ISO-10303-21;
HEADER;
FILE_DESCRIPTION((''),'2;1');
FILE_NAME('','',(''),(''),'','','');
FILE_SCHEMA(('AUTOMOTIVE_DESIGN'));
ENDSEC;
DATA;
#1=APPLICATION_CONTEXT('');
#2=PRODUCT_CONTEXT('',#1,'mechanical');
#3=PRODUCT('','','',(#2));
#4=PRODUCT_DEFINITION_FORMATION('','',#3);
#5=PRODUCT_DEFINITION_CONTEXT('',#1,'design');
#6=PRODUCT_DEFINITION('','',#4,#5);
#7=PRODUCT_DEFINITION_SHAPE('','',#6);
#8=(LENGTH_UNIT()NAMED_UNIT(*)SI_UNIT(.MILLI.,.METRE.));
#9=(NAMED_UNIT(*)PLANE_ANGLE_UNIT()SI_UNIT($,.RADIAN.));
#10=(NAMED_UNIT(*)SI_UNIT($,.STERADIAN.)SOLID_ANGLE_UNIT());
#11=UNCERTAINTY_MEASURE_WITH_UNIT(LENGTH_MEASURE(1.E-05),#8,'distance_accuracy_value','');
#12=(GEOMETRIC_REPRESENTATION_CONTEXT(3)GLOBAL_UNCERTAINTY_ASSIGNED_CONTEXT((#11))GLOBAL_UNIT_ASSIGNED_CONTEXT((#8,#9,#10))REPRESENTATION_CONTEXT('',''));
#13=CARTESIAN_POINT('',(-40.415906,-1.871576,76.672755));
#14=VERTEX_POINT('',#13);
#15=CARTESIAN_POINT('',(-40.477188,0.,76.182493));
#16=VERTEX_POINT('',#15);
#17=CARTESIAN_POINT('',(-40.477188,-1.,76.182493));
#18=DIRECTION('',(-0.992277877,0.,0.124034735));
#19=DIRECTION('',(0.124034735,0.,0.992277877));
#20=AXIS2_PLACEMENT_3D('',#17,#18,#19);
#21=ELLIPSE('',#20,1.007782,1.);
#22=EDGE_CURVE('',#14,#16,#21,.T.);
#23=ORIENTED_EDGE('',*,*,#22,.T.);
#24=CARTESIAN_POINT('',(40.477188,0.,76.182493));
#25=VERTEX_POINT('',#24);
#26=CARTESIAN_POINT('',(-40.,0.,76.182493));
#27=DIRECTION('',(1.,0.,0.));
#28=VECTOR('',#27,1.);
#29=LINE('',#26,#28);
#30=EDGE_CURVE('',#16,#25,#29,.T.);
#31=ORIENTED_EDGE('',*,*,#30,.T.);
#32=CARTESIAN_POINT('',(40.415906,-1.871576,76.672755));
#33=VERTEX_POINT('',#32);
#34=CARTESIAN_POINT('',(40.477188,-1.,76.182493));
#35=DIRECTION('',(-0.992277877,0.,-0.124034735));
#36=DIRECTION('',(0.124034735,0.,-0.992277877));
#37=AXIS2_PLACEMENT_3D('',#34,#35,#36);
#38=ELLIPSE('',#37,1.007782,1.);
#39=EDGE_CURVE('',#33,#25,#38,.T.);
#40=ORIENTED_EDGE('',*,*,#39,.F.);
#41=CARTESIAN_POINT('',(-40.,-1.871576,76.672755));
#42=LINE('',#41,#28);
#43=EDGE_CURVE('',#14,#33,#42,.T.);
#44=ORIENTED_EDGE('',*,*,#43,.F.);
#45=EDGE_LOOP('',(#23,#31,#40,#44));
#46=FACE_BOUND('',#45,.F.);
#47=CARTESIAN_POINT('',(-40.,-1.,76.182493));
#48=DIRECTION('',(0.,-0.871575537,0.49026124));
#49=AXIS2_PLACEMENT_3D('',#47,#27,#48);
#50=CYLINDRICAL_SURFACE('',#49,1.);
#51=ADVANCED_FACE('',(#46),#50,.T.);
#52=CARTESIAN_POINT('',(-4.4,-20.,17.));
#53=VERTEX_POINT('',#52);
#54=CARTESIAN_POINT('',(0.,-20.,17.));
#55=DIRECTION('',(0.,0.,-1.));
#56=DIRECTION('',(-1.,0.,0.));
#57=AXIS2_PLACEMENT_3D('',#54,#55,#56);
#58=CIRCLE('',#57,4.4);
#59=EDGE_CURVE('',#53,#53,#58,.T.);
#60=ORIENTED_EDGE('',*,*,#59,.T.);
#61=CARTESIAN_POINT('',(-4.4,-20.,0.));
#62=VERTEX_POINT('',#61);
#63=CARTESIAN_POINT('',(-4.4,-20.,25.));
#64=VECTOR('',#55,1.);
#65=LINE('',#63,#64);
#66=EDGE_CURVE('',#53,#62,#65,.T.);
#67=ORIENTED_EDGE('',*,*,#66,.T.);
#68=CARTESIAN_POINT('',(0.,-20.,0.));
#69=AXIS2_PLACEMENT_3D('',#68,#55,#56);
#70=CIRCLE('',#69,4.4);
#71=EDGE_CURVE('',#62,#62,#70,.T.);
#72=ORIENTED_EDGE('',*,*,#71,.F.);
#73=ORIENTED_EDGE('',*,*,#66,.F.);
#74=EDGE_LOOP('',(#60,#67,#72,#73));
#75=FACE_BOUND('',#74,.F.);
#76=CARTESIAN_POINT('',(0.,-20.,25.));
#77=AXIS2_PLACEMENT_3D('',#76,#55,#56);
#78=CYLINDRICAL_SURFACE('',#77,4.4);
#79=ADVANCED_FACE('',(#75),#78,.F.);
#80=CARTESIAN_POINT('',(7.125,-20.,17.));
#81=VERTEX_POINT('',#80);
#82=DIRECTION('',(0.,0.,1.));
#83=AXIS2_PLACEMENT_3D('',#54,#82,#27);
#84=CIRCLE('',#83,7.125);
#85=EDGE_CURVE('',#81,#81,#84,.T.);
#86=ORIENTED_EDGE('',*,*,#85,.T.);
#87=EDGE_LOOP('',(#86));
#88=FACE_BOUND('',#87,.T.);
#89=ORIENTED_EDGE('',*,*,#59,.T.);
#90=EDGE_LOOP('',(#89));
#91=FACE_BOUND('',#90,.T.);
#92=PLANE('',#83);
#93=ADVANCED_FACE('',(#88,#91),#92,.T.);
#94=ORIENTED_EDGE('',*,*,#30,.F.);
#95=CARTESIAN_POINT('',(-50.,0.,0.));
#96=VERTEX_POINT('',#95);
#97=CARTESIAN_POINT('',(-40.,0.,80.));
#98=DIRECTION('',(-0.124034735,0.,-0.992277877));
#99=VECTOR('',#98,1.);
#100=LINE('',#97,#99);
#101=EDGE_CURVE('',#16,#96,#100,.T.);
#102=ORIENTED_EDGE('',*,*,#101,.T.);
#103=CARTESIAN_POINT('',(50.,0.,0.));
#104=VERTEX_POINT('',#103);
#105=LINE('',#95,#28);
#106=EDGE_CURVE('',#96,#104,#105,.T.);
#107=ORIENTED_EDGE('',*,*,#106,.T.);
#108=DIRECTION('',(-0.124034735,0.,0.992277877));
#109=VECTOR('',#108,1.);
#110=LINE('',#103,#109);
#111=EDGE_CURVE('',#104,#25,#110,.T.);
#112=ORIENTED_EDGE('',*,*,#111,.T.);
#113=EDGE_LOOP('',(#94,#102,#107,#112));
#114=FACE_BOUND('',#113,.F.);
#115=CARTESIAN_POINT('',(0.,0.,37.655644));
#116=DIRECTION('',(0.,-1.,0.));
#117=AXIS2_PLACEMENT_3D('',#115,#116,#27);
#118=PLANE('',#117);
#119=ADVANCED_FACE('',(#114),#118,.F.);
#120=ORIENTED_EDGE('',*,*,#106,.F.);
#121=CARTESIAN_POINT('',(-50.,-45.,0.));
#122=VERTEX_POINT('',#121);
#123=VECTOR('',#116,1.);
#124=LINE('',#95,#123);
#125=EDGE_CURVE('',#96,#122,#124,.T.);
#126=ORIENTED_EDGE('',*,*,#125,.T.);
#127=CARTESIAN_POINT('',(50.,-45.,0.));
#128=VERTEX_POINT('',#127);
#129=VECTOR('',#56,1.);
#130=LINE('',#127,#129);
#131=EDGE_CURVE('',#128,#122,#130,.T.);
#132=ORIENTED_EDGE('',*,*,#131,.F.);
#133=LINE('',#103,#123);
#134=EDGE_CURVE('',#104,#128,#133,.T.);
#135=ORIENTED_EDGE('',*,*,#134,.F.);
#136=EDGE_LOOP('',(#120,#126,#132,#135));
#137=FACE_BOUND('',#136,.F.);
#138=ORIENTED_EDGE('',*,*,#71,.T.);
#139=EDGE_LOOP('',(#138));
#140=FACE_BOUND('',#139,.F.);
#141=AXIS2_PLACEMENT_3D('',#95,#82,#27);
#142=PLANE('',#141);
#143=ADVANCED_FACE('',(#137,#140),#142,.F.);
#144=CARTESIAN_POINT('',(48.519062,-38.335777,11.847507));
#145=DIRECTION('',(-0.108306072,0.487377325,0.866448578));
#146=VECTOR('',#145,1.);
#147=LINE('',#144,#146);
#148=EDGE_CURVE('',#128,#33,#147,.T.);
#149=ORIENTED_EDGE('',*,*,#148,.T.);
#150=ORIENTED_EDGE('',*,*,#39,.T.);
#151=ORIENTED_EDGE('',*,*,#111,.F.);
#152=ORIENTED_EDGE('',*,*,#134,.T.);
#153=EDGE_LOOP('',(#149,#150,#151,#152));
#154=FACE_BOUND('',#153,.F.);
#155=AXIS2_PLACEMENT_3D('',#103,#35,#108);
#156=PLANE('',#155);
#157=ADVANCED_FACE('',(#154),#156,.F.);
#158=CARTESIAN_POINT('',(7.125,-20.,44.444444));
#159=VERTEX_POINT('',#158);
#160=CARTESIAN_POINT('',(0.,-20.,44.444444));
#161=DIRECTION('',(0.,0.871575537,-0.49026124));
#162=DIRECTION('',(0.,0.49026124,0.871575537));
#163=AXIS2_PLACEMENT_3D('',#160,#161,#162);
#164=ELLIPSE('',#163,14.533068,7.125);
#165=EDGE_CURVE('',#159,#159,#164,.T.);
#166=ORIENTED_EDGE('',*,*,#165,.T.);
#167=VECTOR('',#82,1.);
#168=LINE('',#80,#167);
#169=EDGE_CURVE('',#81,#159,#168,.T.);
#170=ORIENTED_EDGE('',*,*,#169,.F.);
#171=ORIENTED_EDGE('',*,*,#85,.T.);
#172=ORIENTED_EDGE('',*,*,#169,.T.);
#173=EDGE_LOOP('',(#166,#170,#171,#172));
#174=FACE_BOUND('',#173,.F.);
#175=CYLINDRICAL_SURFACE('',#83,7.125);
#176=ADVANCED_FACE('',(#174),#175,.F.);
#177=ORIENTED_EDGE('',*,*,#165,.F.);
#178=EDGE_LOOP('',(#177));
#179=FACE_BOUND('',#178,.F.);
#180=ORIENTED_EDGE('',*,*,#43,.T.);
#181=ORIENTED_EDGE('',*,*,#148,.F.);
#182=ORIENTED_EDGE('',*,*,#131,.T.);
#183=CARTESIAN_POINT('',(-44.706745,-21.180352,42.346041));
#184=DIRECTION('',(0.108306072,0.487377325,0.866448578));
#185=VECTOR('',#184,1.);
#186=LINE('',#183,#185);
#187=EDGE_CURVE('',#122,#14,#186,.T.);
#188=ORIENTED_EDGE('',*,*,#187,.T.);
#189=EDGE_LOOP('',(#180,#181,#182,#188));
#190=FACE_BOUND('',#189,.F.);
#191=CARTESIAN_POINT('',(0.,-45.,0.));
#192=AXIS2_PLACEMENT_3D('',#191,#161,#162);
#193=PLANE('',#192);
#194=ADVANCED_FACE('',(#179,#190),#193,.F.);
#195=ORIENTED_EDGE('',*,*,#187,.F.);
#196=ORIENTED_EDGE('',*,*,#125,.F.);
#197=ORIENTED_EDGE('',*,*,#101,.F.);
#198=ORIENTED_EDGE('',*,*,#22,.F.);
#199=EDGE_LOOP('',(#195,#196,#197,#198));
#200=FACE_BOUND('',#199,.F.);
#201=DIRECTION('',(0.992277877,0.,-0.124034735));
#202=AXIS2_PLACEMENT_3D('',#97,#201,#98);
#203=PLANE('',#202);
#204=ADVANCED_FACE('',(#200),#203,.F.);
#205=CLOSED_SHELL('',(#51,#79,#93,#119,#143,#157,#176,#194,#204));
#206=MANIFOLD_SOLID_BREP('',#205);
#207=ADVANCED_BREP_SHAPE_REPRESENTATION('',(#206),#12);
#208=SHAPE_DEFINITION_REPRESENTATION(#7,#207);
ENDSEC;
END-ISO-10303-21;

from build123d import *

# Parameters (mm, degrees)
F1_DEPTH       = 45
F3_DEPTH       = 50.001
F3_DEPTH_BACK  = 50.001
F6_D           = 8.8
F6_CBORE_D     = 14.25
F6_CBORE_DEPTH = 8
F5_R           = 7.125
F7_DEPTH       = 80
F8_R           = 1


with BuildPart() as f1:
    # F0 (on Front) → F1 (new body)
    with BuildSketch(Plane.XZ):
        Polygon((-50, 0), (50, 0), (40, 80), (-40, 80), align=None)
    extrude(amount=F1_DEPTH)

    # F2 (on Right) → F3 (cut, two sides)
    with BuildSketch(Plane.YZ) as f3_sk:
        Polygon((-45, 0), (0, 80), (-45, 80), align=None)
    extrude(amount=-F3_DEPTH, mode=Mode.SUBTRACT)
    extrude(f3_sk.sketch, amount=F3_DEPTH_BACK, mode=Mode.SUBTRACT)

    # F6 (through all)
    with Locations(Plane.XY.offset(25)):
        with Locations((0, -20)):
            CounterBoreHole(F6_D / 2, F6_CBORE_D / 2, F6_CBORE_DEPTH)

    # F5 (on offset) → F7 (cut)
    with BuildSketch(Plane.XY.offset(25)):
        with Locations((0, -20)):
            Circle(F5_R)
    extrude(amount=F7_DEPTH, mode=Mode.SUBTRACT)

    # F8
    f8_edges = [f1.edges().sort_by_distance(p)[0] for p in [
        (0, 0, 80),
    ]]
    fillet(f8_edges, radius=F8_R)


solid = f1.part
